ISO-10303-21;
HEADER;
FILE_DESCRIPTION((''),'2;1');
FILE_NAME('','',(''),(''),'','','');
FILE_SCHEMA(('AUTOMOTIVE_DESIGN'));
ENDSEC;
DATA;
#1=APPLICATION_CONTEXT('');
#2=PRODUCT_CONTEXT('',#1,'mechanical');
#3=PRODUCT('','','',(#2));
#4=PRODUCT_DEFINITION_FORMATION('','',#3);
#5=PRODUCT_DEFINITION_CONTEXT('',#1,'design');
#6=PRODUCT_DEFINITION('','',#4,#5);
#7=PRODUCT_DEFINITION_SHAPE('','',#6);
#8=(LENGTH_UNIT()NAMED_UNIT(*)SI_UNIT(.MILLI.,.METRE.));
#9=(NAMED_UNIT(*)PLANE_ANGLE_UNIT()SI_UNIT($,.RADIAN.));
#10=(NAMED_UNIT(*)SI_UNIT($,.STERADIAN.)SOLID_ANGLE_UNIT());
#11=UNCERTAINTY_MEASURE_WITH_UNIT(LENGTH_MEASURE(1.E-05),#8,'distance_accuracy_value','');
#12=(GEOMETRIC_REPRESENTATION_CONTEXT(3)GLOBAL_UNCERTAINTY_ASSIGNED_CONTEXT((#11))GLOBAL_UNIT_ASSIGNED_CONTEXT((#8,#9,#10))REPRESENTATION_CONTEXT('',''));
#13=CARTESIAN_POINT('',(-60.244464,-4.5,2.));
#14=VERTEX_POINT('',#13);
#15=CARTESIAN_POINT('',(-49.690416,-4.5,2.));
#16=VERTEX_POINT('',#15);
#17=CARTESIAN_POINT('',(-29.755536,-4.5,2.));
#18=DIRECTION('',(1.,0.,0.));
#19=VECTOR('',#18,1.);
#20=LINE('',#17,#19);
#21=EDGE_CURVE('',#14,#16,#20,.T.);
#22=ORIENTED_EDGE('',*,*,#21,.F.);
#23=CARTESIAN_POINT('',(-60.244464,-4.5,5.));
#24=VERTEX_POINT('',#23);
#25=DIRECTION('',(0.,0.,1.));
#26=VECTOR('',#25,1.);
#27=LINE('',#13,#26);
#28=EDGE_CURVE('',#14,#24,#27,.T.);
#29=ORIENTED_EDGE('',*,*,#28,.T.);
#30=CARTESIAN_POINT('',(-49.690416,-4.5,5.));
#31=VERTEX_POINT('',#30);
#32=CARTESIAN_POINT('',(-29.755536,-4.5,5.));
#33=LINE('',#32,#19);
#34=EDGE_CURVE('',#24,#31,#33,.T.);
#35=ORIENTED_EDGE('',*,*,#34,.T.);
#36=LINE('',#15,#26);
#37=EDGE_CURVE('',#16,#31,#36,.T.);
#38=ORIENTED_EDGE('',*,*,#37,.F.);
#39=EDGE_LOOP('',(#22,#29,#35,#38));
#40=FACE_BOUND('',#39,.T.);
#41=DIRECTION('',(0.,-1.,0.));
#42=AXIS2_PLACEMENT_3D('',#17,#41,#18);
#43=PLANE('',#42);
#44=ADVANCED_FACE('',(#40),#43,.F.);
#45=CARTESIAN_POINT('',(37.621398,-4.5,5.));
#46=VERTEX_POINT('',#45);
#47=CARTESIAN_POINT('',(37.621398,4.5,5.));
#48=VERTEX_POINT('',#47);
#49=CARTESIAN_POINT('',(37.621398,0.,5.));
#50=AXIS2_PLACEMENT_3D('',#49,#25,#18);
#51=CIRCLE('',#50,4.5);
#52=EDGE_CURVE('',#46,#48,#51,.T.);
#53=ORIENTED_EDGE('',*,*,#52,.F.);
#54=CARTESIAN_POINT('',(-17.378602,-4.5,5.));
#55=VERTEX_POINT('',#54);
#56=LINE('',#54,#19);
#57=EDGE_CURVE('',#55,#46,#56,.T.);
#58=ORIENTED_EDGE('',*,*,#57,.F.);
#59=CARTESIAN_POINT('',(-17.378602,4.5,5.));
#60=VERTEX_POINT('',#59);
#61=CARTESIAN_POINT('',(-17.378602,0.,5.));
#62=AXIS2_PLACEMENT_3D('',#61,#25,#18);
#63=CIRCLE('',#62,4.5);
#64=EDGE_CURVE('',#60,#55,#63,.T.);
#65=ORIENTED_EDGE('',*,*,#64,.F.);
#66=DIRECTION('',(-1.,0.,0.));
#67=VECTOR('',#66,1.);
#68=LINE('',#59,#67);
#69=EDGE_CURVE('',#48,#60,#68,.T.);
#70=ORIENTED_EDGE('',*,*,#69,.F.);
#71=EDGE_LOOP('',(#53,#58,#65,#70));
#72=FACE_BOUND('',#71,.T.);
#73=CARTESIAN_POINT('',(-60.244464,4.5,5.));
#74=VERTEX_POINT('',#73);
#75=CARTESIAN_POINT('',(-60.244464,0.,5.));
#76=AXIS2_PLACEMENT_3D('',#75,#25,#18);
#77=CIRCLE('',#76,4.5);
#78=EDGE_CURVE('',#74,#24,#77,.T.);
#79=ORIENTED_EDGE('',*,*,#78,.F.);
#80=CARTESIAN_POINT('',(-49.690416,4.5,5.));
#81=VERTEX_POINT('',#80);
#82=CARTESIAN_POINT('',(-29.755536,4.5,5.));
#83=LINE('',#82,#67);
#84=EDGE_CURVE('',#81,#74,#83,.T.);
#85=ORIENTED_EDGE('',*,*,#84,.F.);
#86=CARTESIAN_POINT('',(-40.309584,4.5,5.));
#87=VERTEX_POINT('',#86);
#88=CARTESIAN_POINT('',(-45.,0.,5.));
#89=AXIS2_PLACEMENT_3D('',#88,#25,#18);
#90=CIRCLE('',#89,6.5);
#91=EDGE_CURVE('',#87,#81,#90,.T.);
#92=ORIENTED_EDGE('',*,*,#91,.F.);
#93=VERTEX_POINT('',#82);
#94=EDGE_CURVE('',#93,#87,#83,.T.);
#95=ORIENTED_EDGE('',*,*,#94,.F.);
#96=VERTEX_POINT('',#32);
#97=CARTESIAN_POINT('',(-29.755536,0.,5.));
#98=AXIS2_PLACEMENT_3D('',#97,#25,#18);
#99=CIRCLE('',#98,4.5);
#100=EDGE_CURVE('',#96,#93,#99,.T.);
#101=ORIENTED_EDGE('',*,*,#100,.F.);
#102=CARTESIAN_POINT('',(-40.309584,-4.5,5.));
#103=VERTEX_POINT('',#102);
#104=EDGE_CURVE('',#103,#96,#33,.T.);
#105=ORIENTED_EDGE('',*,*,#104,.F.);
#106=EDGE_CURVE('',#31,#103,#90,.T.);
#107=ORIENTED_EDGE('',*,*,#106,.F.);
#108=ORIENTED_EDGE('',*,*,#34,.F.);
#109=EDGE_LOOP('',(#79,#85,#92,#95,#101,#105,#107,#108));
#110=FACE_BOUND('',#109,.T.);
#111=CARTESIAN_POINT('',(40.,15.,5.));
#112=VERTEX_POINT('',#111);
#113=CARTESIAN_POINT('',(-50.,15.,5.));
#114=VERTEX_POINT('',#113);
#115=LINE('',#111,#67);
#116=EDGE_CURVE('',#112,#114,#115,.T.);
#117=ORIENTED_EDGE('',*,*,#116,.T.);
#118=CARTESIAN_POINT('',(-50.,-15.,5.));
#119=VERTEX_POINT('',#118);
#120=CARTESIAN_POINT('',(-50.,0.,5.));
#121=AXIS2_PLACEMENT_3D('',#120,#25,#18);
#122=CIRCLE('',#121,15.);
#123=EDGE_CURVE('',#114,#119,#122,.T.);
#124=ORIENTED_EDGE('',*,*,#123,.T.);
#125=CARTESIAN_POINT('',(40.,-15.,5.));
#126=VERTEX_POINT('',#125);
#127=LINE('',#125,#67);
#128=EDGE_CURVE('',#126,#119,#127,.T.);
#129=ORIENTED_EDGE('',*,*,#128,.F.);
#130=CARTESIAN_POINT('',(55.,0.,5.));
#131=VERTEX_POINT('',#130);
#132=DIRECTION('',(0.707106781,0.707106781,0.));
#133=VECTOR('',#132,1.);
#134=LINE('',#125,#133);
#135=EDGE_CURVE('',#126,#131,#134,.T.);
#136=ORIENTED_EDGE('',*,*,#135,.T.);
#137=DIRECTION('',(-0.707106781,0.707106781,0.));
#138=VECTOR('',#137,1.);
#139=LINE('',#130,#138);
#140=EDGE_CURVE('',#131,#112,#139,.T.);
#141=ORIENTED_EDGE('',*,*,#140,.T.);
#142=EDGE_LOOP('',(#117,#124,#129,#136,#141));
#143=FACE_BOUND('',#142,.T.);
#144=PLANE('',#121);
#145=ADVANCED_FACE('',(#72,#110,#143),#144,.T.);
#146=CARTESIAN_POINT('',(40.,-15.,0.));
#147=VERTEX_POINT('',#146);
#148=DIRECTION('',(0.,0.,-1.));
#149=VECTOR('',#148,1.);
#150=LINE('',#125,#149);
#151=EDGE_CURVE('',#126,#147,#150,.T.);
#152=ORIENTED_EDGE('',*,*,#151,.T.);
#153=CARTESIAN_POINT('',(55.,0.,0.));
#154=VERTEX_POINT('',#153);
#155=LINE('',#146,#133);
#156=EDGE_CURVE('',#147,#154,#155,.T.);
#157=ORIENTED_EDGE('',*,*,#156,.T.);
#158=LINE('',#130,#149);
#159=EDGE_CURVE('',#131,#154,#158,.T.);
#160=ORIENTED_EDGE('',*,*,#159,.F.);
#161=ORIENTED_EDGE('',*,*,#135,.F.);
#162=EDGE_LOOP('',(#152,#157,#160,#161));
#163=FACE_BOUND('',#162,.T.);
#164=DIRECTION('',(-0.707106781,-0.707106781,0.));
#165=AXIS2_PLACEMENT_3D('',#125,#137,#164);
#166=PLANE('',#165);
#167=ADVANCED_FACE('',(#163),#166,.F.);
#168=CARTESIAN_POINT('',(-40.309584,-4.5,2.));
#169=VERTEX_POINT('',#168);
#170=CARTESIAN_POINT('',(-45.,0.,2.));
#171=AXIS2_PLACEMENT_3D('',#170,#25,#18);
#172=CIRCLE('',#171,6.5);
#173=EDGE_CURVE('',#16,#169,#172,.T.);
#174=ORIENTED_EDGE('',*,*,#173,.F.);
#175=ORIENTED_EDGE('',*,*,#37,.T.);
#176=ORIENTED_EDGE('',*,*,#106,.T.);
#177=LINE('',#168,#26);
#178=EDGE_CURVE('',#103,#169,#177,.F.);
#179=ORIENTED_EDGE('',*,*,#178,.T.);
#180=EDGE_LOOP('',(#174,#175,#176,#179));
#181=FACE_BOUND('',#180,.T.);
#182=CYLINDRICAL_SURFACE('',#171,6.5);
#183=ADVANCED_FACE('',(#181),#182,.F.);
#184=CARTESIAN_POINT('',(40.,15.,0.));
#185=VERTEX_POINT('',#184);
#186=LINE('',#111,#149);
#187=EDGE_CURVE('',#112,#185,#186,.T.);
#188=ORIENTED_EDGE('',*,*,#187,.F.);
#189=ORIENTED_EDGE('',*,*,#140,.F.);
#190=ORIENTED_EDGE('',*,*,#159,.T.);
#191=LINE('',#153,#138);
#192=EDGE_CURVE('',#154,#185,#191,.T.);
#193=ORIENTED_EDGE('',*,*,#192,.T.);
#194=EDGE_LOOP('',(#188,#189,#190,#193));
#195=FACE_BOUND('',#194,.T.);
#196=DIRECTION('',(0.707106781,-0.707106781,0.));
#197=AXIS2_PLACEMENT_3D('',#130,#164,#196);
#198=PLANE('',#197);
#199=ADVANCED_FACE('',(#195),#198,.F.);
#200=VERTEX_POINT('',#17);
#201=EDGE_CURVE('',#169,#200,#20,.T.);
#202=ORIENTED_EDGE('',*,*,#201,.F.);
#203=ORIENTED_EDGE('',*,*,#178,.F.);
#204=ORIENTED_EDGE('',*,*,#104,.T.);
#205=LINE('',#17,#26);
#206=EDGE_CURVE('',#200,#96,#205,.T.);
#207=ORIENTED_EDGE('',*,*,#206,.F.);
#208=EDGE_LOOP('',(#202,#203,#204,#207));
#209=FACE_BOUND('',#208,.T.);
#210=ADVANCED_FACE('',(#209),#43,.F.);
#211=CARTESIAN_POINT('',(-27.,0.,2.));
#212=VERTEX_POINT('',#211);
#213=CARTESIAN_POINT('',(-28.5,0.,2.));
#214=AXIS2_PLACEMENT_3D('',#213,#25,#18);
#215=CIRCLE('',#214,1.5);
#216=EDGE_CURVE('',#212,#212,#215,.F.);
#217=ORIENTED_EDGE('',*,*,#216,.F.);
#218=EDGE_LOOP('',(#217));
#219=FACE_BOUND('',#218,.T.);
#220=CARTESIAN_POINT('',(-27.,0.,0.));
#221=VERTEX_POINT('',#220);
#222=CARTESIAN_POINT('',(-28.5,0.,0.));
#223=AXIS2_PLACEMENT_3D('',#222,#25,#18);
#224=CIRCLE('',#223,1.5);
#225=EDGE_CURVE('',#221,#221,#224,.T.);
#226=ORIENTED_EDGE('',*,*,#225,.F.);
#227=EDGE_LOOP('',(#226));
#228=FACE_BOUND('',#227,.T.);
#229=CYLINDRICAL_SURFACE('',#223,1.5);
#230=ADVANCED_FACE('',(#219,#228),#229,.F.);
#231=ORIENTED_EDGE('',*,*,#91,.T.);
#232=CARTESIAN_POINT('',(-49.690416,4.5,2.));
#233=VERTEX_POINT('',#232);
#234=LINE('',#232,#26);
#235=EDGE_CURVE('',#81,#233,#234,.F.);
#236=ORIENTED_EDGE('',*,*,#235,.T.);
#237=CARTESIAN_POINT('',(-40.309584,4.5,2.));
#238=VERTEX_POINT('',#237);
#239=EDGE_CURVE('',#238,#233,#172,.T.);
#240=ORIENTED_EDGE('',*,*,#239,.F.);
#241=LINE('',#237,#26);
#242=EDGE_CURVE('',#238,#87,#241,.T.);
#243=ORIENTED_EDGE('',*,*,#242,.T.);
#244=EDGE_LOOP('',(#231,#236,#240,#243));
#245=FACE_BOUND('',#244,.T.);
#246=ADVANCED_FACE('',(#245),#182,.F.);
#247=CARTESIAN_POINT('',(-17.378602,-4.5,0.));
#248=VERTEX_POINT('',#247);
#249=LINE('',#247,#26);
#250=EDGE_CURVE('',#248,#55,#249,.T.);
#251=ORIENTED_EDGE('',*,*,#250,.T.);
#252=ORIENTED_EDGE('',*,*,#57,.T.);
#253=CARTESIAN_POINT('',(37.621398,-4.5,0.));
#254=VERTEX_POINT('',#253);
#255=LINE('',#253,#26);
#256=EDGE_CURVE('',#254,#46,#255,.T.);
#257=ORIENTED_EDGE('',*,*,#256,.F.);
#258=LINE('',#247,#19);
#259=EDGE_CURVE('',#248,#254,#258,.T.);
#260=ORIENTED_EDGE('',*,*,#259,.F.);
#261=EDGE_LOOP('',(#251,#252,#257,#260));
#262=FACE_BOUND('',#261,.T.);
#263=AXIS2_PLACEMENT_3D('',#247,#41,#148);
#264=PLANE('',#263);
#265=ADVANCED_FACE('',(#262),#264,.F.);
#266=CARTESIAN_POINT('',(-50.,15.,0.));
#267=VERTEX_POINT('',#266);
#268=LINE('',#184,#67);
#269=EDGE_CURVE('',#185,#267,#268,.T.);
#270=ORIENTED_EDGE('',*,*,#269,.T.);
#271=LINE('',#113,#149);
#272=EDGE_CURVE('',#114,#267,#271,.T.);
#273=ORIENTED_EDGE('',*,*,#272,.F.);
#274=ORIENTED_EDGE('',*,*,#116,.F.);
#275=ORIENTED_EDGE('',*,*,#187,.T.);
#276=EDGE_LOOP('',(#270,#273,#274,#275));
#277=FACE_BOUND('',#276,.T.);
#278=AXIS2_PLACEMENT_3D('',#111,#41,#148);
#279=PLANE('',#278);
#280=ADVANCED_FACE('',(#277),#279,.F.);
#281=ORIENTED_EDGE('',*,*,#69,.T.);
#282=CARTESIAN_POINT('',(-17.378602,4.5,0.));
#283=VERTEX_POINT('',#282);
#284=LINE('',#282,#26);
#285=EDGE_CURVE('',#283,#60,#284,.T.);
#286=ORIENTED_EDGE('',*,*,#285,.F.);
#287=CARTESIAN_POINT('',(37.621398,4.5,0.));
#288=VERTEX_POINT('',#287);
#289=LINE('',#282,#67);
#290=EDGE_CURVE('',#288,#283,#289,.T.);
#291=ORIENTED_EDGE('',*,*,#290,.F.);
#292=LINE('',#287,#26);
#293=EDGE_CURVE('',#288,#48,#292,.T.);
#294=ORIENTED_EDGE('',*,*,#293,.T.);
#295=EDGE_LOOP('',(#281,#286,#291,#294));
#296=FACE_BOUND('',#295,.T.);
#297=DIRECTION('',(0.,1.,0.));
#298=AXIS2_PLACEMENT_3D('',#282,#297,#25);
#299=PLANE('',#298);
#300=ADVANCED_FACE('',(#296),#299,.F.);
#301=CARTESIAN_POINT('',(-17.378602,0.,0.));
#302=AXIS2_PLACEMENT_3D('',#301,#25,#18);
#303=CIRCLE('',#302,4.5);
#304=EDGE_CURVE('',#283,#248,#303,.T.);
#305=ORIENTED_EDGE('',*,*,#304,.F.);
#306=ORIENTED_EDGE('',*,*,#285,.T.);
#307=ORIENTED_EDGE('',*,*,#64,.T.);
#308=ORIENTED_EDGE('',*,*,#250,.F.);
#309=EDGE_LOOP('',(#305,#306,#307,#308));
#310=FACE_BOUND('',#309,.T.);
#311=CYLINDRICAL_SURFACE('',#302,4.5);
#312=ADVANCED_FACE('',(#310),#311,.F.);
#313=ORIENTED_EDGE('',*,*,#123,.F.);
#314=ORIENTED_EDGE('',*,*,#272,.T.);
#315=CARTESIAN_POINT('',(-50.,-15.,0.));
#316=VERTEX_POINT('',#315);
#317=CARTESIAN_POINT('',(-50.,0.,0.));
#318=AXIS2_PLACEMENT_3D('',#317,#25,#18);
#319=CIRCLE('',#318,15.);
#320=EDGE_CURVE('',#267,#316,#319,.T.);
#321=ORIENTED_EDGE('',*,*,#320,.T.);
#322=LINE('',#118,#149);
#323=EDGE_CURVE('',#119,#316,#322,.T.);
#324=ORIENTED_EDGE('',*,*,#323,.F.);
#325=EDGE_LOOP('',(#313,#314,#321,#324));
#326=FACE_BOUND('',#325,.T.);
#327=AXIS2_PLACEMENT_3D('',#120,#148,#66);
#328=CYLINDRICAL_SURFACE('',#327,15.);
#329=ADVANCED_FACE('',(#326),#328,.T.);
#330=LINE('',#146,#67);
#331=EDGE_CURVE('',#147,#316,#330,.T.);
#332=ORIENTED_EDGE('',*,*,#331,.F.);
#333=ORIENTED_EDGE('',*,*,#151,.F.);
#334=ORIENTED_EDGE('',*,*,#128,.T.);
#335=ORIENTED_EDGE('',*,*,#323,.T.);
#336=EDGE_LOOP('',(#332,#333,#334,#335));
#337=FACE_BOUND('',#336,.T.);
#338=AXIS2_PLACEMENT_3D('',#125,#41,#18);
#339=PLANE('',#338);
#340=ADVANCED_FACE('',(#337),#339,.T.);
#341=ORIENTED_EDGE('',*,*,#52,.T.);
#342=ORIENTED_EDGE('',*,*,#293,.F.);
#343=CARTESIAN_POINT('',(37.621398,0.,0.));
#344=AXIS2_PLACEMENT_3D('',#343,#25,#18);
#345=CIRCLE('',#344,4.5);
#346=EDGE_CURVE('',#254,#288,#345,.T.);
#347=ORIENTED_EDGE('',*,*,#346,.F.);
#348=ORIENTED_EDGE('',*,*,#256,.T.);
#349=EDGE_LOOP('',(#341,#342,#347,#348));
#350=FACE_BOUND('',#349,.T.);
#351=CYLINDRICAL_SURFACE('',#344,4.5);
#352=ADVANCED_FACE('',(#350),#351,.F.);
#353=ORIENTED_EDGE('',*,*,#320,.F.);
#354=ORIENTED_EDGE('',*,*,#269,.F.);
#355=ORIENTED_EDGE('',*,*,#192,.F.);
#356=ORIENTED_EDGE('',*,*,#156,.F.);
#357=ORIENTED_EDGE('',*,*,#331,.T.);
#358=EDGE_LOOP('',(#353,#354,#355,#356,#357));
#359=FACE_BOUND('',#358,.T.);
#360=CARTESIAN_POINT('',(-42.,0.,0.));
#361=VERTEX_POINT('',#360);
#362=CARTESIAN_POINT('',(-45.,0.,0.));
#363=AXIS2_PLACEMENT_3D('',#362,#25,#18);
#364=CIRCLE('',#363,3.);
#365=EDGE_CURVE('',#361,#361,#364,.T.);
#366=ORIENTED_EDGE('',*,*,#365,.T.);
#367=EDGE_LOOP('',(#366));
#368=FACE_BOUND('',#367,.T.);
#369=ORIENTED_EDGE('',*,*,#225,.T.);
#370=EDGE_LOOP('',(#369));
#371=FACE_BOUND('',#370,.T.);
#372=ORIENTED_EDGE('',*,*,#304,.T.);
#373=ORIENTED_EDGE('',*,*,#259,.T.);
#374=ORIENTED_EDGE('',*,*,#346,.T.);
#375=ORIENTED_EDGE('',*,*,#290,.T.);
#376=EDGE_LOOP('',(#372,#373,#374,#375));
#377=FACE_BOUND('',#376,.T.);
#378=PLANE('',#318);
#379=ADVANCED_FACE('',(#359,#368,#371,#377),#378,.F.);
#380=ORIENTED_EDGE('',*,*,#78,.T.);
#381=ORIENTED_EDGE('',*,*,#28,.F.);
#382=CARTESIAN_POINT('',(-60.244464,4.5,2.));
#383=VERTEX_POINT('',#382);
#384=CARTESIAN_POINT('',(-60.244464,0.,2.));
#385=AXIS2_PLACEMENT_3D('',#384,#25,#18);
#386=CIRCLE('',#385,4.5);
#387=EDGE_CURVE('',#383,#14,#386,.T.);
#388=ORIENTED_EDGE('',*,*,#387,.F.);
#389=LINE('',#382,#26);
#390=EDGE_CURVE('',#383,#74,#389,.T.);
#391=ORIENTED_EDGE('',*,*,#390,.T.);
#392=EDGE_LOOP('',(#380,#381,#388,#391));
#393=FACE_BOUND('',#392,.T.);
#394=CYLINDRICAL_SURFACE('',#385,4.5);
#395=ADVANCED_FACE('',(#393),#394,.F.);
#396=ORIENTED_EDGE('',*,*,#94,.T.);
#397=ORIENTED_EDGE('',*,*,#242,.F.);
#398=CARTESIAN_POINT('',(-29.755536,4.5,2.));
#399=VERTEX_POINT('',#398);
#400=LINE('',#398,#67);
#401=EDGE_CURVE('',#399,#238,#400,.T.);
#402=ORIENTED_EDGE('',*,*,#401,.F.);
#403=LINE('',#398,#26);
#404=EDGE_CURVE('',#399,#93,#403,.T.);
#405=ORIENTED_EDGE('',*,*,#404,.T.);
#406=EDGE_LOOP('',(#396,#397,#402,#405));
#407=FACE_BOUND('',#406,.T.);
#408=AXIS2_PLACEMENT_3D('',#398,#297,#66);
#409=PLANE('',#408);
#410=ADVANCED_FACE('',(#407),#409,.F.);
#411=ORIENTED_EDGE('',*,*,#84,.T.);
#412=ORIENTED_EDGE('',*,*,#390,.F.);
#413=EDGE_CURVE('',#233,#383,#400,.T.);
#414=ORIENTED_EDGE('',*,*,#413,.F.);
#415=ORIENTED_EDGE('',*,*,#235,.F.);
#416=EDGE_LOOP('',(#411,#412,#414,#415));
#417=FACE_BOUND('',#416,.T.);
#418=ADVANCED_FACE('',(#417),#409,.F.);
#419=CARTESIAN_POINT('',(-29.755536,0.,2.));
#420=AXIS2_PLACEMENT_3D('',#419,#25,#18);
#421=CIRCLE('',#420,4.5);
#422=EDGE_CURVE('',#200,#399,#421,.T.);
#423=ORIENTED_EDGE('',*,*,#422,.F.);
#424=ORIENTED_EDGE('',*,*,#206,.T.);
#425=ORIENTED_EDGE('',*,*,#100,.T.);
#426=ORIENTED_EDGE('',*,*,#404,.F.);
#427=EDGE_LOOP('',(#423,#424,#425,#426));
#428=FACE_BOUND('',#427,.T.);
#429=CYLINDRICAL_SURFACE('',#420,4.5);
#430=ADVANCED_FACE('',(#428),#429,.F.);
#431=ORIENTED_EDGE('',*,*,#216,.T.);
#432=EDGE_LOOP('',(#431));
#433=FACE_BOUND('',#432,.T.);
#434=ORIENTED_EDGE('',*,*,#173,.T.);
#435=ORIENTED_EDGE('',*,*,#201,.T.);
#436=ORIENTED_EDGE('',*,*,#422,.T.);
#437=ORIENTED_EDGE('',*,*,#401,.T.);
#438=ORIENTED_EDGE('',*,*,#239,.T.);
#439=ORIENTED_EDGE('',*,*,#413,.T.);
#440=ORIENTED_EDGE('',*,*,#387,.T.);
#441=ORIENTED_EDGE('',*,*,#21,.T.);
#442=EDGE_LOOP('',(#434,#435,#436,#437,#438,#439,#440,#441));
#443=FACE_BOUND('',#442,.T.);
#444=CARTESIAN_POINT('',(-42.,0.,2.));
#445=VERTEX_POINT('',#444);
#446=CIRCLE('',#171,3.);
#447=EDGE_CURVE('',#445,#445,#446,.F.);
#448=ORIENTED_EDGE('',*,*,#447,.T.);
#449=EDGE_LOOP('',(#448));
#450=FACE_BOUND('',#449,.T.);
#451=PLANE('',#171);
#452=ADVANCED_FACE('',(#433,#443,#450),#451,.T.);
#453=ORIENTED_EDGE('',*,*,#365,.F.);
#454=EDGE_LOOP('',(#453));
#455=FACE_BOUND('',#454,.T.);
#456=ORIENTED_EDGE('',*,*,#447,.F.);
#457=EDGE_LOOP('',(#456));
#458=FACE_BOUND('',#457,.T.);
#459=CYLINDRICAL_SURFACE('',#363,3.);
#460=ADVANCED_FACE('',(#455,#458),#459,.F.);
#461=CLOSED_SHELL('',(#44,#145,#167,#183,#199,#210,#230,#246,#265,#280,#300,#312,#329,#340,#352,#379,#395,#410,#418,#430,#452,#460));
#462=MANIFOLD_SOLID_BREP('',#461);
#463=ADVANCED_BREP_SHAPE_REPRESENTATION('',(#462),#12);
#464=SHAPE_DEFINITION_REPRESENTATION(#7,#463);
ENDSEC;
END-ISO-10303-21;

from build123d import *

# Parameters (mm, degrees)
BOSS_EXTRUDE1_DEPTH = 5
SKETCH2_R           = 3
SKETCH2_R_2         = 1.5
CUT_EXTRUDE1_DEPTH  = 5
SKETCH3_R           = 6.5
CUT_EXTRUDE2_DEPTH  = 3
CUT_EXTRUDE3_DEPTH  = 3
CUT_EXTRUDE4_DEPTH  = 5


with BuildPart() as part:
    # Sketch1 → Boss-Extrude1 (new body)
    with BuildSketch(Plane.XY):
        with BuildLine():
            Line((40, -15), (55, 0))
            Line((55, 0), (40, 15))
            Line((40, 15), (-50, 15))
            ThreePointArc((-50, 15), (-65, 0), (-50, -15))
            Line((-50, -15), (40, -15))
        make_face()
    extrude(amount=BOSS_EXTRUDE1_DEPTH)

    # Sketch2 → Cut-Extrude1 (cut)
    with BuildSketch(Plane.XY.offset(5)):
        with Locations((-45, 0)):
            Circle(SKETCH2_R)
        with Locations((-28.5, 0)):
            Circle(SKETCH2_R_2)
    extrude(amount=-CUT_EXTRUDE1_DEPTH, mode=Mode.SUBTRACT)

    # Sketch3 → Cut-Extrude2 (cut)
    with BuildSketch(Plane.XY.offset(5)):
        with Locations((-45, 0)):
            Circle(SKETCH3_R)
    extrude(amount=-CUT_EXTRUDE2_DEPTH, mode=Mode.SUBTRACT)

    # Sketch4 → Cut-Extrude3 (cut)
    with BuildSketch(Plane.XY.offset(5)):
        with BuildLine():
            Line((-29.755535663, -4.5), (-60.244464337, -4.5))
            ThreePointArc((-60.244464337, -4.5), (-64.744464337, 0), (-60.244464337, 4.5))
            Line((-60.244464337, 4.5), (-29.755535663, 4.5))
            ThreePointArc((-29.755535663, 4.5), (-25.255535663, 0), (-29.755535663, -4.5))
        make_face()
    extrude(amount=-CUT_EXTRUDE3_DEPTH, mode=Mode.SUBTRACT)

    # Sketch6 → Cut-Extrude4 (cut)
    with BuildSketch(Plane.XY.offset(5)):
        with BuildLine():
            Line((-17.3786019, 4.5), (37.6213981, 4.5))
            ThreePointArc((37.6213981, 4.5), (42.1213981, 0), (37.6213981, -4.5))
            Line((37.6213981, -4.5), (-17.3786019, -4.5))
            ThreePointArc((-17.3786019, -4.5), (-21.8786019, 0), (-17.3786019, 4.5))
        make_face()
    extrude(amount=-CUT_EXTRUDE4_DEPTH, mode=Mode.SUBTRACT)


solid = part.part
